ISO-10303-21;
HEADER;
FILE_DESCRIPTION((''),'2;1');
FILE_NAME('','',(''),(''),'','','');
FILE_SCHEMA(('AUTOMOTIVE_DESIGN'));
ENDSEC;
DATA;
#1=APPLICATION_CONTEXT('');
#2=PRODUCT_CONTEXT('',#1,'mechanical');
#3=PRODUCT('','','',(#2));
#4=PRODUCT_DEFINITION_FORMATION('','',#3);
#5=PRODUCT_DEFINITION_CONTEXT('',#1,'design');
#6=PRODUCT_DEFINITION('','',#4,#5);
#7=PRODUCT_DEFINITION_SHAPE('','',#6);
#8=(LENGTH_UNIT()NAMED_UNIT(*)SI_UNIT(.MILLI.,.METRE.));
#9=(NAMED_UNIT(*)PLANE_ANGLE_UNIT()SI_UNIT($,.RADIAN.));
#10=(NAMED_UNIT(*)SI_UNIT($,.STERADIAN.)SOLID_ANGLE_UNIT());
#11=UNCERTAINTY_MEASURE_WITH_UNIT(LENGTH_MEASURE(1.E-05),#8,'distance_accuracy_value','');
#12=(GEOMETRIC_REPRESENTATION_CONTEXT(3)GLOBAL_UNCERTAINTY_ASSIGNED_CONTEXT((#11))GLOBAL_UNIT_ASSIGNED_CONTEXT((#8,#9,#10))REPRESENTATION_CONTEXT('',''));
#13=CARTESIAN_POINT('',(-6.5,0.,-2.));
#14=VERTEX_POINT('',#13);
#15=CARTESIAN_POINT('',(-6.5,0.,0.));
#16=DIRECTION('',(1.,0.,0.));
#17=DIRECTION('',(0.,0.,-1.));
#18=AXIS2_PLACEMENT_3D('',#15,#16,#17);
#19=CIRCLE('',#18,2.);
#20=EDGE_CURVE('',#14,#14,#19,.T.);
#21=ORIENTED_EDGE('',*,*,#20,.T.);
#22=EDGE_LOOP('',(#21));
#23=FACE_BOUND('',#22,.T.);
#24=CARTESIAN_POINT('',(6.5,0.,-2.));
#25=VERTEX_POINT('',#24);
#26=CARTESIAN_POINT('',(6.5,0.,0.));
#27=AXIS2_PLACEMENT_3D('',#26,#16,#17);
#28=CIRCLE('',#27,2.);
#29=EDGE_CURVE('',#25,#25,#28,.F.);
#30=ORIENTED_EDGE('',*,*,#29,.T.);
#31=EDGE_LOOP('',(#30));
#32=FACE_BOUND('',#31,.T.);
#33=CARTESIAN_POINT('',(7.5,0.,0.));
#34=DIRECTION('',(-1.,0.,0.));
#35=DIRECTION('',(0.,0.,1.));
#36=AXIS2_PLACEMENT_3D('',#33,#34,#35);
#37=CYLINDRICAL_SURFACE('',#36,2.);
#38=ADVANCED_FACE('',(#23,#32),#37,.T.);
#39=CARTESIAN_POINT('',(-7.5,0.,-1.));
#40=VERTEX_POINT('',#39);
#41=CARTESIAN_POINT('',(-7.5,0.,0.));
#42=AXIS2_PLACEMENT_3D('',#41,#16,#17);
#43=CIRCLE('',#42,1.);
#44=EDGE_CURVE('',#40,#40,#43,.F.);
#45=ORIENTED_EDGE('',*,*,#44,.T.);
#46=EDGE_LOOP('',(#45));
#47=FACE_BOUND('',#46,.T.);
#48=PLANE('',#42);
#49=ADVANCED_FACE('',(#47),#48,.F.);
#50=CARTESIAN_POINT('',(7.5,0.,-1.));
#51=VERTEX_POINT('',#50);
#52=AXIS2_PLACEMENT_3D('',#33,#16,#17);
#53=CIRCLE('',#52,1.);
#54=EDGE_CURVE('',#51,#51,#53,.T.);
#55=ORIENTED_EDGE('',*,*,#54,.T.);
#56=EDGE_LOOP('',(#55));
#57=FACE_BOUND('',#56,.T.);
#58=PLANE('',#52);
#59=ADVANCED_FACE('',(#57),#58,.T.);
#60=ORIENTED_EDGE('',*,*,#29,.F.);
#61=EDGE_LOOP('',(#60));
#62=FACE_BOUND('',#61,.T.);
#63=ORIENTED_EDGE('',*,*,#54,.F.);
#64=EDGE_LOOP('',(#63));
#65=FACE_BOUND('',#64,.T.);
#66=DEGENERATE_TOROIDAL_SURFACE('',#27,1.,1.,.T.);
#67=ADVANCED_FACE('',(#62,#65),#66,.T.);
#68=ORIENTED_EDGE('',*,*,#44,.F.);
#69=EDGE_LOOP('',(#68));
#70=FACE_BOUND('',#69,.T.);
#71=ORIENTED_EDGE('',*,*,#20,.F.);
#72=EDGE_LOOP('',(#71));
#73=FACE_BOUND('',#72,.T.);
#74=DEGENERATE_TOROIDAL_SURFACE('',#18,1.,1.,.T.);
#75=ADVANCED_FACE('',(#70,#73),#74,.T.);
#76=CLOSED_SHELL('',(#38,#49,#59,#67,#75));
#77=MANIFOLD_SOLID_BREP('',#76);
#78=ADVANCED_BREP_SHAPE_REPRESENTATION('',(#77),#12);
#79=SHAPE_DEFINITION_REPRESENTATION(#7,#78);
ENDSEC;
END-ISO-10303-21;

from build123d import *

# Parameters (mm, degrees)
SKETCH_1_R      = 2
EXTRUDE_1_DEPTH = 7.5
FILLET_1_R      = 1


with BuildPart() as part:
    # 草图1 → 凸台-拉伸1 (new, symmetric)
    with BuildSketch(Plane(origin=(0, 0, 0), x_dir=(0, 0, -1), z_dir=(1, 0, 0))):
        Circle(SKETCH_1_R)
    extrude(amount=EXTRUDE_1_DEPTH, both=True)

    # 圆角1
    fillet_1_edges = [part.edges().sort_by_distance(p)[0] for p in [
        (-7.5, 0, 2),
        (7.5, 0, 2),
    ]]
    fillet(fillet_1_edges, radius=FILLET_1_R)


solid = part.part
